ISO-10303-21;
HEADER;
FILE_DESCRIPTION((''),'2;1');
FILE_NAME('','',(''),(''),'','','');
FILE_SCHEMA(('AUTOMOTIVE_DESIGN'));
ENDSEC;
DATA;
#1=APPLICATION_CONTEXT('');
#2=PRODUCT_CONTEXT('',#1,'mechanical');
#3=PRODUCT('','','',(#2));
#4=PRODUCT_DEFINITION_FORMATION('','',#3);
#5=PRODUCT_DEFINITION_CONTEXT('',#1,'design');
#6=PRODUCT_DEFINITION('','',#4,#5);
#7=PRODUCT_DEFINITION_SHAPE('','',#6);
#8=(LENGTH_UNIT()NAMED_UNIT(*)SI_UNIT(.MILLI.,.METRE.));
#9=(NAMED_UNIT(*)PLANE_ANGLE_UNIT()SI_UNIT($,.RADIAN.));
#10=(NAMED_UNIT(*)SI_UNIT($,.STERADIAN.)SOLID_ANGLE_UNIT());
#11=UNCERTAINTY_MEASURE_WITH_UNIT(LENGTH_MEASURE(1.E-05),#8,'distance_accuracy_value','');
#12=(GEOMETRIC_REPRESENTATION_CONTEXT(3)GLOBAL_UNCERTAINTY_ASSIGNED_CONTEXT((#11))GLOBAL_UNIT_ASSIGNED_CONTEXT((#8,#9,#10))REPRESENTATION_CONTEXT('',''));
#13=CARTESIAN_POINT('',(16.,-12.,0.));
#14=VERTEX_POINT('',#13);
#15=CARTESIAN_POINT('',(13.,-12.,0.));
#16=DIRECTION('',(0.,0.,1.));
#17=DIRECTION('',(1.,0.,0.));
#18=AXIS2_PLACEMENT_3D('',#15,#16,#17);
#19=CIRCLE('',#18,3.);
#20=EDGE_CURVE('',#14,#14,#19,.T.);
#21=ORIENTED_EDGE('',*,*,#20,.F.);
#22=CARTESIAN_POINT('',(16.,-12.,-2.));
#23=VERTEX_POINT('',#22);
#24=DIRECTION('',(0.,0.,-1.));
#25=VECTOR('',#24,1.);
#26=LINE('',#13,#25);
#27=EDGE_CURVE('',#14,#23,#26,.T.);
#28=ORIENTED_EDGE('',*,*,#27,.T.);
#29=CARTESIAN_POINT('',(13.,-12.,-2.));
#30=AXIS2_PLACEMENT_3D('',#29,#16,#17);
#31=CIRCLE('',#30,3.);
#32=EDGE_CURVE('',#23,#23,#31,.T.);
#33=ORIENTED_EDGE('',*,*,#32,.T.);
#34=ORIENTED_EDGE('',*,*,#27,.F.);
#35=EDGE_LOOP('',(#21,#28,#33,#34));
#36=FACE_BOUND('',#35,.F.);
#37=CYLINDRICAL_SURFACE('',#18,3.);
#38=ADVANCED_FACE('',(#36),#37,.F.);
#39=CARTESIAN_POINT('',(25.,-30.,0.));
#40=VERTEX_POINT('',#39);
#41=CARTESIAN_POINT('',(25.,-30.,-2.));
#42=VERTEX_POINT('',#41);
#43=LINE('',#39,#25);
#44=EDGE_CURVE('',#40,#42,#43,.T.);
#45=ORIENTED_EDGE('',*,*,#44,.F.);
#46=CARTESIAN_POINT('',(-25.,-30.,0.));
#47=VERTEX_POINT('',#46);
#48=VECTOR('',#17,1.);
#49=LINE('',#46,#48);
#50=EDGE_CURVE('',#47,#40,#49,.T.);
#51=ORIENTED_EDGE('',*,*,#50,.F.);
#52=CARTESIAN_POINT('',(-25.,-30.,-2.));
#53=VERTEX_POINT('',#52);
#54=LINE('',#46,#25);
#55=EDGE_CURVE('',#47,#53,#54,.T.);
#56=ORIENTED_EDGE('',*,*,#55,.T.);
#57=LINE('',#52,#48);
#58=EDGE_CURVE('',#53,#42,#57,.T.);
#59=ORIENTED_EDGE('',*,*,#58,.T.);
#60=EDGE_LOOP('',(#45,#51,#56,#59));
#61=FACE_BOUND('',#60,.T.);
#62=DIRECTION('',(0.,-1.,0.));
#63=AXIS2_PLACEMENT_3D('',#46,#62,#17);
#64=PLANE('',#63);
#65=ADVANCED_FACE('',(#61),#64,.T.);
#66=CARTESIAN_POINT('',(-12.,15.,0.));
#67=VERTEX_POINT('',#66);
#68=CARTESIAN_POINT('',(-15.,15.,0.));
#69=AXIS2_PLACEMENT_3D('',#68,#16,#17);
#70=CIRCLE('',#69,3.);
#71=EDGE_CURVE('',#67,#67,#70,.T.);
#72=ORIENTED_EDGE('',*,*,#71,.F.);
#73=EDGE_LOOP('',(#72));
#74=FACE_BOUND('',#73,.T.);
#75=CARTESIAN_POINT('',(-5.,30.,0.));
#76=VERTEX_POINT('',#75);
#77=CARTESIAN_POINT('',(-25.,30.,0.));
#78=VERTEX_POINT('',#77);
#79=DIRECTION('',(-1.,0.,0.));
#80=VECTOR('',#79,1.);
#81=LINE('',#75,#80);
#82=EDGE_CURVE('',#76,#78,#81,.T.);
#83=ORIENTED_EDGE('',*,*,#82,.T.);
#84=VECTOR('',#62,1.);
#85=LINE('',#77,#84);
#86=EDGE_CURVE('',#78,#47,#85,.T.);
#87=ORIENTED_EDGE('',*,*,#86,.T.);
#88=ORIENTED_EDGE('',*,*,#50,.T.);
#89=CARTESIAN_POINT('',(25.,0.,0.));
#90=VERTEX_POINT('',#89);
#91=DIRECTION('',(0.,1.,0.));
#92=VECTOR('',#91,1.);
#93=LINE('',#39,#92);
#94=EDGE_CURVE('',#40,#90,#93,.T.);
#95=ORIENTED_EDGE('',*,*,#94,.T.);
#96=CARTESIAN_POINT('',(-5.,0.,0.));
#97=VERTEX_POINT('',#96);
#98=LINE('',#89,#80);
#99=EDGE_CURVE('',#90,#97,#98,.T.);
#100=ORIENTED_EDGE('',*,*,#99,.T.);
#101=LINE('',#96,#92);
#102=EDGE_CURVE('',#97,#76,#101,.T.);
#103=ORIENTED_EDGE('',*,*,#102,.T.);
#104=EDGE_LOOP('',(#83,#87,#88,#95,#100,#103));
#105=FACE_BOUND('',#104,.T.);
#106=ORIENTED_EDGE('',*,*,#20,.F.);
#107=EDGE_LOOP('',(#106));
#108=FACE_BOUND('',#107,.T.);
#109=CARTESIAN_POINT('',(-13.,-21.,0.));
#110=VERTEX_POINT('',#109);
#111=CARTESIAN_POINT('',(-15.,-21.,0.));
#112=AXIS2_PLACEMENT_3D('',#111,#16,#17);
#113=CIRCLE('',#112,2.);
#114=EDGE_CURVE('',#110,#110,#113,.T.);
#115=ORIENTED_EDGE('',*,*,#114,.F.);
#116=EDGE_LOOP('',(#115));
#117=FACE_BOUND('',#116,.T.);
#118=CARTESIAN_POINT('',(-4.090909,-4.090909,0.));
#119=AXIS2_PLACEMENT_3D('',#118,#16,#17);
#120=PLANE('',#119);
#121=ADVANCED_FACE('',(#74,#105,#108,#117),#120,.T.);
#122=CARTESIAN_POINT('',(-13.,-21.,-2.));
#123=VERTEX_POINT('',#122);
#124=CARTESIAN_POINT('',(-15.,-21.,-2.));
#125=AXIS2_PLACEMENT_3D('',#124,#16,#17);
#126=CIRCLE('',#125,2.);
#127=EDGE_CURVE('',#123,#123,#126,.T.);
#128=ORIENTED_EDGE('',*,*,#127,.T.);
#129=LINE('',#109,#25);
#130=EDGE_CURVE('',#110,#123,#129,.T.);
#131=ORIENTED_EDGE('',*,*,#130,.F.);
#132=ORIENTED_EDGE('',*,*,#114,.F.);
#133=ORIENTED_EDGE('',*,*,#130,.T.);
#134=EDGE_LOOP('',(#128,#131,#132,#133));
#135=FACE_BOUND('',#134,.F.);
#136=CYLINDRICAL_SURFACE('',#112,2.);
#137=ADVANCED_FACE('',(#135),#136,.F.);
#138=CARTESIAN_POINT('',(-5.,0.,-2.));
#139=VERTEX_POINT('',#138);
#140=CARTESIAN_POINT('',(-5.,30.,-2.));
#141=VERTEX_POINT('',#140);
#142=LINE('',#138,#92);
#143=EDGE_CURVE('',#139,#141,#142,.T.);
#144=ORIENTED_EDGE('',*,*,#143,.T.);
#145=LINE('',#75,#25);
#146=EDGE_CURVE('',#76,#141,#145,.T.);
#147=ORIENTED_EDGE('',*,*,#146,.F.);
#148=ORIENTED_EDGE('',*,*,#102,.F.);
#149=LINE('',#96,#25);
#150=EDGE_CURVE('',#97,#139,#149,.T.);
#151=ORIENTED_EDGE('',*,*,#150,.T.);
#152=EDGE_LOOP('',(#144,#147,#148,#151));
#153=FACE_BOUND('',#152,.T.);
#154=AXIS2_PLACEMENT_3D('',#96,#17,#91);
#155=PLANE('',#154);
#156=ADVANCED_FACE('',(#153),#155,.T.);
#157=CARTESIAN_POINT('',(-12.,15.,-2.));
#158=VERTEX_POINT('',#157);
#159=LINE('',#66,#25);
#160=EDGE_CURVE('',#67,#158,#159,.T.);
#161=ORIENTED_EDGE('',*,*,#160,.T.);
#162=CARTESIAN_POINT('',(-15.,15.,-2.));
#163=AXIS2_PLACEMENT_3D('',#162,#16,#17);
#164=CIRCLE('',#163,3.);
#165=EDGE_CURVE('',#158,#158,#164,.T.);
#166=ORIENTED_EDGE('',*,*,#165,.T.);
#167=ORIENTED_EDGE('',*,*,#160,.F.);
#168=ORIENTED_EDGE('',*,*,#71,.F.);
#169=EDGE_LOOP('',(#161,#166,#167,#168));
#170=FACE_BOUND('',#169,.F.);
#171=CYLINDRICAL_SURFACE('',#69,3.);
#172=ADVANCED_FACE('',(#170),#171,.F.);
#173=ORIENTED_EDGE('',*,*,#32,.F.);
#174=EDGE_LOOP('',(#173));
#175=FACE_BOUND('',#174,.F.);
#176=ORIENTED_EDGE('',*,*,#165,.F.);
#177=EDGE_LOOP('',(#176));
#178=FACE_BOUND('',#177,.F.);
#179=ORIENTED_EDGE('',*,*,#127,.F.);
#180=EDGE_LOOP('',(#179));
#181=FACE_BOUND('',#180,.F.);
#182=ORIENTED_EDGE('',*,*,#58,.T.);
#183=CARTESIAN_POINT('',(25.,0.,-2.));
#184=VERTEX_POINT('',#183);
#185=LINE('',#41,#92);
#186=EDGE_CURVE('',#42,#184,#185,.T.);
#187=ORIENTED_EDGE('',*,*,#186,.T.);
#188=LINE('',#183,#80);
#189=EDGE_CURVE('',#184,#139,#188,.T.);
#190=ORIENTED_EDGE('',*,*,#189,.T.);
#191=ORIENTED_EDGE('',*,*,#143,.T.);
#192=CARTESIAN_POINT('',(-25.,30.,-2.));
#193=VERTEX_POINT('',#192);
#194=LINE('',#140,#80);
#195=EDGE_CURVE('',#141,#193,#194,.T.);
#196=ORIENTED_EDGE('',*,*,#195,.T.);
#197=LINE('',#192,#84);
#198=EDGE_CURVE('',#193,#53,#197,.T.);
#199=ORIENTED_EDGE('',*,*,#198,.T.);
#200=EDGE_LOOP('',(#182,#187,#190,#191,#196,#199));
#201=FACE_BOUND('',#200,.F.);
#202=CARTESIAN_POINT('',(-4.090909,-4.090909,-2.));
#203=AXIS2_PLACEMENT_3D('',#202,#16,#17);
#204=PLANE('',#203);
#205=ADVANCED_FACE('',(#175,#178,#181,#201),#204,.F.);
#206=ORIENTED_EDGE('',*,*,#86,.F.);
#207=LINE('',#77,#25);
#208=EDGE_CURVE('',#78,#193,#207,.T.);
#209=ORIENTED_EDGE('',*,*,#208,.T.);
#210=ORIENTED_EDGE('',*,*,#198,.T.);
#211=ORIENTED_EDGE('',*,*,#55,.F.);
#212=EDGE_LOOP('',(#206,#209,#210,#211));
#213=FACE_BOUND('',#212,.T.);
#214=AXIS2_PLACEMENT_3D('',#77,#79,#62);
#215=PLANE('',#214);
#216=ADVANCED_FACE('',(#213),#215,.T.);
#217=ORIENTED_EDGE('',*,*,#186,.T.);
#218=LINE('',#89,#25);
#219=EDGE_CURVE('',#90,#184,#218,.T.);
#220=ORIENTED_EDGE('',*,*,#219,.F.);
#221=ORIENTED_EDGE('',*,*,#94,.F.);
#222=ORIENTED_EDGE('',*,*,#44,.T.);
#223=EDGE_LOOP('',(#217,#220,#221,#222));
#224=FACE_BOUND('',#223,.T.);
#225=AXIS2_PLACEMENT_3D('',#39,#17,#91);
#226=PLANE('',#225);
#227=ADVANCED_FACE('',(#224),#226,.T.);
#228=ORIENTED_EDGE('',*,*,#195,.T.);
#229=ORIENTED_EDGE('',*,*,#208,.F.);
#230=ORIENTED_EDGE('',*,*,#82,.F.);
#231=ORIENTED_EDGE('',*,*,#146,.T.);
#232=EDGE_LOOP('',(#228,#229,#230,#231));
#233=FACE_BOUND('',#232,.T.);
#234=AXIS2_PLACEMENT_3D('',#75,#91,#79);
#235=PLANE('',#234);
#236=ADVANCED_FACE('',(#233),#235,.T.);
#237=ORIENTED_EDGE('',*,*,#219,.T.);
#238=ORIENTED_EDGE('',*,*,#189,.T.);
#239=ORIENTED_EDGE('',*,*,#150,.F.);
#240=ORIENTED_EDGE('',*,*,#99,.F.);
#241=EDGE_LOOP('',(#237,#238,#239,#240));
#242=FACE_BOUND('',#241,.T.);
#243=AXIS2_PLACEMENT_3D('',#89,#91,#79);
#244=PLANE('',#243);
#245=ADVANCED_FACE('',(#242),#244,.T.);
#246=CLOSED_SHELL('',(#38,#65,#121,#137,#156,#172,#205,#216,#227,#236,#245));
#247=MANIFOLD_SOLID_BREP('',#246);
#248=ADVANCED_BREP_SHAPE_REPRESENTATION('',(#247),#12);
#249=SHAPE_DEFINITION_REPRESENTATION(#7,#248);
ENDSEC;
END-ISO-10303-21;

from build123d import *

# Parameters (mm, degrees)
F0_R     = 2
F0_R_2   = 3
F1_DEPTH = 2


with BuildPart() as f1:
    # F0 (on Top) → F1 (new body)
    with BuildSketch(Plane.XY):
        Polygon((-25, -30), (25, -30), (25, 0), (-5, 0), (-5, 30), (-25, 30), align=None)
        with Locations((-15, -21)):
            Circle(F0_R, mode=Mode.SUBTRACT)
        with Locations((13, -12)):
            Circle(F0_R_2, mode=Mode.SUBTRACT)
        with Locations((-15, 15)):
            Circle(F0_R_2, mode=Mode.SUBTRACT)
    extrude(amount=-F1_DEPTH)


solid = f1.part
